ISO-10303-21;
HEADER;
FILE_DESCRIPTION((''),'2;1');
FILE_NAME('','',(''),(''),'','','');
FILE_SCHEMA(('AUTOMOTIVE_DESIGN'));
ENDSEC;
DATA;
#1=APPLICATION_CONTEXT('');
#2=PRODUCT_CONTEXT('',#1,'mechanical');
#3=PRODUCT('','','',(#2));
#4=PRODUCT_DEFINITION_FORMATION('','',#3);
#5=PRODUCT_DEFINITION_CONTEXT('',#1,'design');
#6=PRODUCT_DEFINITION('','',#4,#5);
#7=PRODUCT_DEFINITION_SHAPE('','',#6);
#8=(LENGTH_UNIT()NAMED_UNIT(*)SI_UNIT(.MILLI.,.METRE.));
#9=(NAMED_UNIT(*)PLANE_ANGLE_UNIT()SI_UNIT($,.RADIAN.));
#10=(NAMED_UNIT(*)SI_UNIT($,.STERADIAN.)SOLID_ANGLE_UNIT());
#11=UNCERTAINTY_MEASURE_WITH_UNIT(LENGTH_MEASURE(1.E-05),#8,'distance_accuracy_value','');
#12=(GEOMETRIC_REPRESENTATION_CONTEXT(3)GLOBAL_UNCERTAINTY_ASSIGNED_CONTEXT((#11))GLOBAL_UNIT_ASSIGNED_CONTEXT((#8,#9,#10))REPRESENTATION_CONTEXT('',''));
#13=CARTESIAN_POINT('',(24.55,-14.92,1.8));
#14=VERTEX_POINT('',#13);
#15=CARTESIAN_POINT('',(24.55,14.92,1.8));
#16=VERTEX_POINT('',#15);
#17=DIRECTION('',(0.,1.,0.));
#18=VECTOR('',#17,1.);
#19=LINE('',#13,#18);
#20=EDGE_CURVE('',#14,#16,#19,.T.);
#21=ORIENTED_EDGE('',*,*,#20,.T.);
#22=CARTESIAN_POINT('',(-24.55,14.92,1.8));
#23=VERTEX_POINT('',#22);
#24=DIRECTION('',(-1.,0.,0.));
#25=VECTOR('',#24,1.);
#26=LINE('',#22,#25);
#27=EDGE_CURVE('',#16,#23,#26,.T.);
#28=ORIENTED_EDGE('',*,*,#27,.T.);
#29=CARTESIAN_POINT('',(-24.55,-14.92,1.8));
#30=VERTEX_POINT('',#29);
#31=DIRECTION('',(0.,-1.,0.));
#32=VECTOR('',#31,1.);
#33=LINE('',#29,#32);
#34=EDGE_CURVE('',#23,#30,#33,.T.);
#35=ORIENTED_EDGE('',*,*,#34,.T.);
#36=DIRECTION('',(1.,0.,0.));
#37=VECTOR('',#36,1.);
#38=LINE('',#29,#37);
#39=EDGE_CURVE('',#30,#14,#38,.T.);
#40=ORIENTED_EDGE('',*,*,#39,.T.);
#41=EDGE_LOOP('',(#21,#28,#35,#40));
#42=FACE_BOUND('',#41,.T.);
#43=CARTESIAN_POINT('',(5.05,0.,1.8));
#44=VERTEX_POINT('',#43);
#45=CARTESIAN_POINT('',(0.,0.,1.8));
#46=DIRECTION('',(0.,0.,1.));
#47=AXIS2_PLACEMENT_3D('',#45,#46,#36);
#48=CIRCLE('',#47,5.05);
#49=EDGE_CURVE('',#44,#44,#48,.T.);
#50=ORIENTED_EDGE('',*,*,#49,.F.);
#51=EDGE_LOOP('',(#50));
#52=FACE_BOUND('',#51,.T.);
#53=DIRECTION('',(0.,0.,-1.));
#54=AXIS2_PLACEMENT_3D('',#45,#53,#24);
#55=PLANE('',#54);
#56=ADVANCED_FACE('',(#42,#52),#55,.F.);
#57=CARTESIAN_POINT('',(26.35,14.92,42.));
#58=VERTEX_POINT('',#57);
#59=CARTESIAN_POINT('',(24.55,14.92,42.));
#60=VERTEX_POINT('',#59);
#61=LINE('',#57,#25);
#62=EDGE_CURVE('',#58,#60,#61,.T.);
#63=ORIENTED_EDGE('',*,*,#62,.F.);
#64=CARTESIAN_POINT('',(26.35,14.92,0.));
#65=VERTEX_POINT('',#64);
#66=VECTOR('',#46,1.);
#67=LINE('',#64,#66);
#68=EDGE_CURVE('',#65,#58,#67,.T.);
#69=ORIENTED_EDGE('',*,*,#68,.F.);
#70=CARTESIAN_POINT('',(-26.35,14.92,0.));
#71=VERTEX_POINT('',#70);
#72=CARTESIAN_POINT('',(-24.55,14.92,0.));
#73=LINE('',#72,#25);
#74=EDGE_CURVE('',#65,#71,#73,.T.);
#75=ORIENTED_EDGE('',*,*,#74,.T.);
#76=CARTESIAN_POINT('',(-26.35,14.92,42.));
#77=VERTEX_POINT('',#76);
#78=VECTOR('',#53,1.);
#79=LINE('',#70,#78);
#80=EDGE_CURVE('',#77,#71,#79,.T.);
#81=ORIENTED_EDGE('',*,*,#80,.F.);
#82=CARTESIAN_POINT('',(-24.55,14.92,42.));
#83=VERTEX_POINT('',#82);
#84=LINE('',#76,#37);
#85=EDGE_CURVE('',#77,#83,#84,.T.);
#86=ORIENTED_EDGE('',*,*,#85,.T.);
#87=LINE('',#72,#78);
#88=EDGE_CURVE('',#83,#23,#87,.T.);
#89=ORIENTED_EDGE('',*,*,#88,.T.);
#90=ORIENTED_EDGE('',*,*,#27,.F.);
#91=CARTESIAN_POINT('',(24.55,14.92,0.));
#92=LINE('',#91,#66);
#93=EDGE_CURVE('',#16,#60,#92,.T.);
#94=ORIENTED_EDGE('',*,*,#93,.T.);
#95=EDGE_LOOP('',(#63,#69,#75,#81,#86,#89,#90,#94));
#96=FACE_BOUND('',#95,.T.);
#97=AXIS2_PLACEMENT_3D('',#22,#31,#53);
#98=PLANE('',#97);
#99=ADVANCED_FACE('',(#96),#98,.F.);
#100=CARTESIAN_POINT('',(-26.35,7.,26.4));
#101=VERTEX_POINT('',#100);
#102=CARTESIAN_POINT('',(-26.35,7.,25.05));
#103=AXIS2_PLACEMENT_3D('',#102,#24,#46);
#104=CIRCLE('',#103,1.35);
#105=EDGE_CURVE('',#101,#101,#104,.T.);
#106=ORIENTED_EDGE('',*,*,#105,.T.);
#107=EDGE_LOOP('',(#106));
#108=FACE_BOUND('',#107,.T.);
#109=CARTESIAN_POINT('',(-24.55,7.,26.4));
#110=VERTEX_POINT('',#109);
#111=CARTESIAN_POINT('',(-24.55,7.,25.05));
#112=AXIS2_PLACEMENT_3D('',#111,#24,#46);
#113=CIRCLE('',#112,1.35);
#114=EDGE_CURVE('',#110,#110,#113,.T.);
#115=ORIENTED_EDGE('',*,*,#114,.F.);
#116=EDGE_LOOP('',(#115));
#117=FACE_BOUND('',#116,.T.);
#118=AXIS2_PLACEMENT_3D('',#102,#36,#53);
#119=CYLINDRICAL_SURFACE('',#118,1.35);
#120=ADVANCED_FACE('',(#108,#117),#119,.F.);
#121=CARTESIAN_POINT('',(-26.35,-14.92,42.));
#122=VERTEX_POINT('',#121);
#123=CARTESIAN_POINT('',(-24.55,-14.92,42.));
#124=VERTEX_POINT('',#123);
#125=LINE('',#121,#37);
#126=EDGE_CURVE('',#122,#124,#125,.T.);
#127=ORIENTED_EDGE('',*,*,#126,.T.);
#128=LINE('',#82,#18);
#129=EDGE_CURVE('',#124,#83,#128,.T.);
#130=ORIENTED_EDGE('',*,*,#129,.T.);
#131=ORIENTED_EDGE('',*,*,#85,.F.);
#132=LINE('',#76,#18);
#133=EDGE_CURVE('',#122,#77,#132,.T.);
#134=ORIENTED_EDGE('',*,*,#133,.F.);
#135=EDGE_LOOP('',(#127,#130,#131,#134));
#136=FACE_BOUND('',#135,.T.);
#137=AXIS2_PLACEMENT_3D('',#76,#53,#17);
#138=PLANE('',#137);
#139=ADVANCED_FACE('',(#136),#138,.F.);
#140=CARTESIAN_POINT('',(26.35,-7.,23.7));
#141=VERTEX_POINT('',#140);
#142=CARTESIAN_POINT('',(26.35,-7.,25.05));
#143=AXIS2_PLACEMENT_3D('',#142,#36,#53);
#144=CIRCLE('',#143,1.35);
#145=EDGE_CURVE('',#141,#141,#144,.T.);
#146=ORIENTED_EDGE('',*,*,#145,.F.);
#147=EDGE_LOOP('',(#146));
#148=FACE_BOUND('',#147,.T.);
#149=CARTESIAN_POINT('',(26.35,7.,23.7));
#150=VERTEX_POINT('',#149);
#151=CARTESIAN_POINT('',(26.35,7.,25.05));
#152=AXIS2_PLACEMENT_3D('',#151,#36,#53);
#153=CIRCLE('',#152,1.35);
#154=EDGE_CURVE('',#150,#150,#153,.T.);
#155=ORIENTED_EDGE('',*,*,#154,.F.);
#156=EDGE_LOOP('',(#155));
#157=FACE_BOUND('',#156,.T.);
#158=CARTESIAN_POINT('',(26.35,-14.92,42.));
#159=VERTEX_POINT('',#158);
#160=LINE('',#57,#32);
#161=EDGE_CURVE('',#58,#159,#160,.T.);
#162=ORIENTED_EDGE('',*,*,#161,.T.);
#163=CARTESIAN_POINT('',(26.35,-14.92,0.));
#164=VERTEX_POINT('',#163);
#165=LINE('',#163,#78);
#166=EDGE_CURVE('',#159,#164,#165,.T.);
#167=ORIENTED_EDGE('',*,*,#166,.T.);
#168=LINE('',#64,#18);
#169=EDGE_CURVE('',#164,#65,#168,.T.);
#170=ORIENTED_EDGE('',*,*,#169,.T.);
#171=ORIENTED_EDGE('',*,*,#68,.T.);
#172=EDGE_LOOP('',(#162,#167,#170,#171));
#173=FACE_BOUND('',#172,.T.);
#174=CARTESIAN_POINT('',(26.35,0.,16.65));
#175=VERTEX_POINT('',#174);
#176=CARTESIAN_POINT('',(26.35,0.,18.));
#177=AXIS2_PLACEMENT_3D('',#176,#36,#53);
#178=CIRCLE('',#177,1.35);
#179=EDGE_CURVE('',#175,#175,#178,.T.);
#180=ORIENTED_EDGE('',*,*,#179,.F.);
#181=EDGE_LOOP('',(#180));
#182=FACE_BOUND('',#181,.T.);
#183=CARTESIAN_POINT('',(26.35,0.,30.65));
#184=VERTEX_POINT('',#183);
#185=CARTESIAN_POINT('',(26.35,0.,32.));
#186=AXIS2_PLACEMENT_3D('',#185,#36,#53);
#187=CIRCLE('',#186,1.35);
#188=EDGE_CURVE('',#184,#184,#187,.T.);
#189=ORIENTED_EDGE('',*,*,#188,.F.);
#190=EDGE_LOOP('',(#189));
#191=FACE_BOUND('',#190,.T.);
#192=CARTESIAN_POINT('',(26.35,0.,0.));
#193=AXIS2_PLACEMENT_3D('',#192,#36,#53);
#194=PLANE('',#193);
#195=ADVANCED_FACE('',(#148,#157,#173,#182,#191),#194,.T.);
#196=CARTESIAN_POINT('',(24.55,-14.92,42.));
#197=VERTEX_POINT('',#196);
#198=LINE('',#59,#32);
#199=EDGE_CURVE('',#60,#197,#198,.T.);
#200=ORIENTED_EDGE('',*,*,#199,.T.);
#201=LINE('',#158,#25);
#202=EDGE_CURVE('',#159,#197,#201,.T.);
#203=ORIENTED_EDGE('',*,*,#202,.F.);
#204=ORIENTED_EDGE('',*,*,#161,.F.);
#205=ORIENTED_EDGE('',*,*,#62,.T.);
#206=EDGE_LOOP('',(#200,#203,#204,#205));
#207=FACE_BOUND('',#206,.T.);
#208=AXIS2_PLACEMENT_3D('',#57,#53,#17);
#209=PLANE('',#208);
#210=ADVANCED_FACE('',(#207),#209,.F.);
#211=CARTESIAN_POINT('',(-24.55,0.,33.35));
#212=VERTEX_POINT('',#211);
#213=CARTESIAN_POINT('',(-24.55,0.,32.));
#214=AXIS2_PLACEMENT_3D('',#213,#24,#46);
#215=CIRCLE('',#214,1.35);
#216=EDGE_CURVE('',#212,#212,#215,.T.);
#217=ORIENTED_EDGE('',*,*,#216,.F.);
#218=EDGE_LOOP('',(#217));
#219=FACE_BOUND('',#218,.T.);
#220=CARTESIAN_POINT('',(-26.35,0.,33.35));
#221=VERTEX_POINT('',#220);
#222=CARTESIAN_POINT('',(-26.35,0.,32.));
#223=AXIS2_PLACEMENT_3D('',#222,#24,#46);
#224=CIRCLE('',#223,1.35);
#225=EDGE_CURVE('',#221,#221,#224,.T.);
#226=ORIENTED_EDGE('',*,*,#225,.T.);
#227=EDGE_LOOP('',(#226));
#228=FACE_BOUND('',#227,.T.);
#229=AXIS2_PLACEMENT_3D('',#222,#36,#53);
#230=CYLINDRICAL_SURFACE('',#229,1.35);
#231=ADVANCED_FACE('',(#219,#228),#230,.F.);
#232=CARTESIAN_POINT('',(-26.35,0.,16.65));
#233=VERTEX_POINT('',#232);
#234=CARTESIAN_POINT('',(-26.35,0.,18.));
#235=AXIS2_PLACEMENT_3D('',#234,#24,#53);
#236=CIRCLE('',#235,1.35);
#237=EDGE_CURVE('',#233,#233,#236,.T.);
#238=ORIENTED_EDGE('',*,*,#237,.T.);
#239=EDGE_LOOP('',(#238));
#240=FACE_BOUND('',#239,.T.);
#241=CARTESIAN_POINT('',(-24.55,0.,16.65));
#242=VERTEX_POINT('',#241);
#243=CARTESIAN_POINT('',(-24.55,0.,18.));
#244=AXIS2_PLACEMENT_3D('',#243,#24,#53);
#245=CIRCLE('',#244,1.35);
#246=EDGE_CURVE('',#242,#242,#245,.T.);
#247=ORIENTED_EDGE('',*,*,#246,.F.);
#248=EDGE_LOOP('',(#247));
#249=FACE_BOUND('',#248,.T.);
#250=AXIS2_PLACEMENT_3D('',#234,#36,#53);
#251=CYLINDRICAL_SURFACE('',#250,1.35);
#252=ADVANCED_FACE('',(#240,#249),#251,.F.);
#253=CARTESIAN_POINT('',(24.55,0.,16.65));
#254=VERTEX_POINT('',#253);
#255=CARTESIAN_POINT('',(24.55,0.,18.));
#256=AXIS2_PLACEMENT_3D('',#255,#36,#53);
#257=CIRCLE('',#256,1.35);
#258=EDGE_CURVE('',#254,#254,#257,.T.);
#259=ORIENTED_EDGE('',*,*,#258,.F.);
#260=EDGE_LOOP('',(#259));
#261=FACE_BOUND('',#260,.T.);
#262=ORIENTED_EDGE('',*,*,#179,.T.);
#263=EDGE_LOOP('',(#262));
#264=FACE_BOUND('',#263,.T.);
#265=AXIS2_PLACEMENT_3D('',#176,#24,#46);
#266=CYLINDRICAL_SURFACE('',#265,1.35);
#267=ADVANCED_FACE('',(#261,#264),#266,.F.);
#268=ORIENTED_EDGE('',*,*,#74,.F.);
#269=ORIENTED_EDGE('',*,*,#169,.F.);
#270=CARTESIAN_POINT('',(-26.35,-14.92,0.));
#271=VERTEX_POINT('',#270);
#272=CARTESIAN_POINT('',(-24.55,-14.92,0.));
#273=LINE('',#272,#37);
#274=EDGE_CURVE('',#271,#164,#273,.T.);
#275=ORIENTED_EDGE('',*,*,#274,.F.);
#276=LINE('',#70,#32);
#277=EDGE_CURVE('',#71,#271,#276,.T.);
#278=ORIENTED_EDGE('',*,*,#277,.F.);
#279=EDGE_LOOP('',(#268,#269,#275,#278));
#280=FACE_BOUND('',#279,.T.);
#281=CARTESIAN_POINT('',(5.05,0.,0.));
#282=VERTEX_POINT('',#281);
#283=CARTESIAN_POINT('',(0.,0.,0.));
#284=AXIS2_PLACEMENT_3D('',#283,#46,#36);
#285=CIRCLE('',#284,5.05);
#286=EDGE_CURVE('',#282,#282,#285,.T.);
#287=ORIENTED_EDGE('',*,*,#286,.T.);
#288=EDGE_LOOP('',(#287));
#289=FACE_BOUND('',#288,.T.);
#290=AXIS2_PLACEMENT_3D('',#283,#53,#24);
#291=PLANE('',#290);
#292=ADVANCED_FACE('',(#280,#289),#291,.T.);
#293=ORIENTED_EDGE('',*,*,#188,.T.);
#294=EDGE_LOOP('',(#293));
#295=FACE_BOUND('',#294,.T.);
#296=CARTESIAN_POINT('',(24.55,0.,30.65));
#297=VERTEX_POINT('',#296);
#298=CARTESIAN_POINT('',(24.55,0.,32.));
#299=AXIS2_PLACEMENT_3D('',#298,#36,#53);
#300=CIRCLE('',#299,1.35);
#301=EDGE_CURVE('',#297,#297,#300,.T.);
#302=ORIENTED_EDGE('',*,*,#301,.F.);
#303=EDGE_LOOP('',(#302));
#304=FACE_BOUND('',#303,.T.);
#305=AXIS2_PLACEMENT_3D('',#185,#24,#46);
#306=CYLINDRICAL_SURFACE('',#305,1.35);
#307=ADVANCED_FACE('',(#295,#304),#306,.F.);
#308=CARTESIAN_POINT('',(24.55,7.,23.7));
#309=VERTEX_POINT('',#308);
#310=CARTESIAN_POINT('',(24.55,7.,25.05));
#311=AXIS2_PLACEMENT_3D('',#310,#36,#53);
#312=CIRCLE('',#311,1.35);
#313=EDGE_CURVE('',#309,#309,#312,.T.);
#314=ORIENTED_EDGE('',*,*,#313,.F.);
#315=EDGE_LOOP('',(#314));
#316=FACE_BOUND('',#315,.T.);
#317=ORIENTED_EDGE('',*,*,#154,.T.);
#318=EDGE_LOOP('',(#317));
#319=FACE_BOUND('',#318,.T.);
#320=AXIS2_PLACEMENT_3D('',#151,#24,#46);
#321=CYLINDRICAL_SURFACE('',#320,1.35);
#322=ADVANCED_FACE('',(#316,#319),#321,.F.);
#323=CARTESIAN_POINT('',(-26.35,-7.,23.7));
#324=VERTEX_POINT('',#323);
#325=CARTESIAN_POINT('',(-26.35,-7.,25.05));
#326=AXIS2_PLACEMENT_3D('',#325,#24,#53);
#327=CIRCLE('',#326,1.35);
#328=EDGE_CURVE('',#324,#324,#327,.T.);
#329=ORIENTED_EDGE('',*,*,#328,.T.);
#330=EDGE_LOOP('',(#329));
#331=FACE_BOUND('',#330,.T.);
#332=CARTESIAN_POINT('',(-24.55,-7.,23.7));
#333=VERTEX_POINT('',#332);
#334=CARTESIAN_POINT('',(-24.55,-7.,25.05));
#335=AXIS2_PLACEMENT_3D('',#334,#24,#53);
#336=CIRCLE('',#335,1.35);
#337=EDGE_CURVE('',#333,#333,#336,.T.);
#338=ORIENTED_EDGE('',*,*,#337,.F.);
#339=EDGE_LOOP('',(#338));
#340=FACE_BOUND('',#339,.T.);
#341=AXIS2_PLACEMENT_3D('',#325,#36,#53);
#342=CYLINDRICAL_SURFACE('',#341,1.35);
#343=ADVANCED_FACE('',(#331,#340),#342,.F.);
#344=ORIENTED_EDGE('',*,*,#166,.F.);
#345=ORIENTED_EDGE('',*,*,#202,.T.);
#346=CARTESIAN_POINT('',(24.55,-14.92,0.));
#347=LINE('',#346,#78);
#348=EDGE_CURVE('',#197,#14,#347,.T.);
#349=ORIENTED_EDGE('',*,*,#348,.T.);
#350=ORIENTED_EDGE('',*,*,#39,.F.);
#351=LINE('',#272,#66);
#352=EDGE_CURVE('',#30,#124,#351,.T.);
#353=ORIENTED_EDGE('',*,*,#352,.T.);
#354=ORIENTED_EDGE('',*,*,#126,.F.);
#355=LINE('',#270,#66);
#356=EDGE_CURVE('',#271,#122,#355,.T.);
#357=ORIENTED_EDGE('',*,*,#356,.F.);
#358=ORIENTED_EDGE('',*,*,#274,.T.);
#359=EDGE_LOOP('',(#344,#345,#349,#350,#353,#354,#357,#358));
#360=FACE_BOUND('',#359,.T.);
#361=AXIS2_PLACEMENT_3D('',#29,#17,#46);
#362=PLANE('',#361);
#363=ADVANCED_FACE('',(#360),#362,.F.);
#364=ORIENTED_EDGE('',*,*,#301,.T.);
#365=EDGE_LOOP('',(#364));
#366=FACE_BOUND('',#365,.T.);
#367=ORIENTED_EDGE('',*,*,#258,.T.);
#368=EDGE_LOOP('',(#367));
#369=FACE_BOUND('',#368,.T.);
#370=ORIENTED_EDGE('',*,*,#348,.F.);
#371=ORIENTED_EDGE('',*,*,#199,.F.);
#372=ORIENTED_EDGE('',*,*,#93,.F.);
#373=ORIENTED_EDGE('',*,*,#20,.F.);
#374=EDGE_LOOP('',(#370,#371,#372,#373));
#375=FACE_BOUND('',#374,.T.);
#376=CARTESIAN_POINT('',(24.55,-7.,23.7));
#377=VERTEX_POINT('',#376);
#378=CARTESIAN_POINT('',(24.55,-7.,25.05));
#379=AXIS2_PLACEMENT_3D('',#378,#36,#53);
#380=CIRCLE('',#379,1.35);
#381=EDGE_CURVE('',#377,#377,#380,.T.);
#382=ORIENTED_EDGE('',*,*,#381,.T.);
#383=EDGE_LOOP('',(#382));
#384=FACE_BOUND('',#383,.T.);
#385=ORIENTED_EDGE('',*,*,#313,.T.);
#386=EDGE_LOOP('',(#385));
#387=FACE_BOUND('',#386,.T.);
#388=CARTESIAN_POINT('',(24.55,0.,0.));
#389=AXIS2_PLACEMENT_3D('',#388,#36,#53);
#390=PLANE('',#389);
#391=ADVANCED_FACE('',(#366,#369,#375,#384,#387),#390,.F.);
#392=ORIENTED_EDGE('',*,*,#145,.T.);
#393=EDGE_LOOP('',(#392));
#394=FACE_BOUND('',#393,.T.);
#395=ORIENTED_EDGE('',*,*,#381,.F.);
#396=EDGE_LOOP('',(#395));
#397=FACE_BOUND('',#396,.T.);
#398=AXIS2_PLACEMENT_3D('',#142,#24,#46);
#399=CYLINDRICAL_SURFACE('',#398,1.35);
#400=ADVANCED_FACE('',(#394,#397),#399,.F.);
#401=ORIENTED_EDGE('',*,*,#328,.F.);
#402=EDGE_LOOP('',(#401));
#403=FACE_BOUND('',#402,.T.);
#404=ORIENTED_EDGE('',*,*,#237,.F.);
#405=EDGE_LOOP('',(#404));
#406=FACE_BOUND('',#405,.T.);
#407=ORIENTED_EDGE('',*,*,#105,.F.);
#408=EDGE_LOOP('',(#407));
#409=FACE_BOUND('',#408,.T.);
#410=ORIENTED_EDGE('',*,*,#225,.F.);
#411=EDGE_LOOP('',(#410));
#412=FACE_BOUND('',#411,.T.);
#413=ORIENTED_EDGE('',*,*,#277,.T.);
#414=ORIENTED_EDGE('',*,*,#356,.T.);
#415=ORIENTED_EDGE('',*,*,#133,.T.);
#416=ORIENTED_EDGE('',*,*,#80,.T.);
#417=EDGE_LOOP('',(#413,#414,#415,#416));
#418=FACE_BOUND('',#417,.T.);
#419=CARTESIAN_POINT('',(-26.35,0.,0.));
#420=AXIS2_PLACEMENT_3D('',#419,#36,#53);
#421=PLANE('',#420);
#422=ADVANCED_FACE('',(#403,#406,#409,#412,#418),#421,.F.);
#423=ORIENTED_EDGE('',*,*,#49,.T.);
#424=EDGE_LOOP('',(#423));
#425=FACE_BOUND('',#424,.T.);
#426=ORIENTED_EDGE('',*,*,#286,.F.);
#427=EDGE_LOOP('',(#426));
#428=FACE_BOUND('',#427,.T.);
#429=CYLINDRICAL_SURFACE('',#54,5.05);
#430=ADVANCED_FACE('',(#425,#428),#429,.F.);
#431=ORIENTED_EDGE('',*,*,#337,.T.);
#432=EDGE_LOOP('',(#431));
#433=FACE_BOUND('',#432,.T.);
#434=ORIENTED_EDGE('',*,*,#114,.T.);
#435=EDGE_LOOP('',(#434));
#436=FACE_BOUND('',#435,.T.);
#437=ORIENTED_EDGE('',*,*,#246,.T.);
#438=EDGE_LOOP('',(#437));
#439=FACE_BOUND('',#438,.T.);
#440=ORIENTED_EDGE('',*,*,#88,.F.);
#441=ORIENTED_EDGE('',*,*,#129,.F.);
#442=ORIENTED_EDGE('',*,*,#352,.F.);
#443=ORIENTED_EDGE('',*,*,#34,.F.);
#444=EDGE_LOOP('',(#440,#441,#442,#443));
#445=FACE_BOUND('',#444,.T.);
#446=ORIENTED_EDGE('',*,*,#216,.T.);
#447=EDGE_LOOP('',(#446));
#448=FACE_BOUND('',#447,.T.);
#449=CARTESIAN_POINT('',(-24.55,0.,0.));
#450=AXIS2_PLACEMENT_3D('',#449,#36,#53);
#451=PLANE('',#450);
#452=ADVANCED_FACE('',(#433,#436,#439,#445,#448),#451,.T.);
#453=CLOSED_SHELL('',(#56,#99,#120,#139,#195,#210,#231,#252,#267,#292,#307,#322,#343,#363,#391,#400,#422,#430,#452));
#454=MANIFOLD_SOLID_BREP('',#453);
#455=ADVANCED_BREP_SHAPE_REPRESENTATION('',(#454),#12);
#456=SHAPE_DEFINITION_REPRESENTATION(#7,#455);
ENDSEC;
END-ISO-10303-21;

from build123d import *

# Parameters (mm, degrees)
ESBO_O1_W                = 49.1
ESBO_O1_H                = 29.84
ESBO_O1_R                = 5.05
RESSALTO_EXTRUS_O1_DEPTH = 1.8
ESBO_O2_W                = 42
ESBO_O2_H                = 29.84
ESBO_O2_R                = 1.35
RESSALTO_EXTRUS_O2_DEPTH = 1.8
RESSALTO_EXTRUS_O3_START = 1.8
ESBO_O3_W                = 42
ESBO_O3_H                = 29.84
ESBO_O3_R                = 1.35
RESSALTO_EXTRUS_O3_DEPTH = 1.8


with BuildPart() as part:
    # Esboço1 → Ressalto-extrusão1 (new body)
    with BuildSketch(Plane.XY):
        Rectangle(ESBO_O1_W, ESBO_O1_H)
        Circle(ESBO_O1_R, mode=Mode.SUBTRACT)
    extrude(amount=RESSALTO_EXTRUS_O1_DEPTH)

    # Esboço2 → Ressalto-extrusão2 (add)
    with BuildSketch(Plane.ZY.offset(24.55)):
        with Locations((21, 0)):
            Rectangle(ESBO_O2_W, ESBO_O2_H)
        with Locations((32, 0)):
            Circle(ESBO_O2_R, mode=Mode.SUBTRACT)
        with Locations((25.05, 7)):
            Circle(ESBO_O2_R, mode=Mode.SUBTRACT)
        with Locations(Location((18, 0, 0), (0, 0, 180))):
            Circle(ESBO_O2_R, mode=Mode.SUBTRACT)
        with Locations(Location((25.05, -7, 0), (0, 0, 180))):
            Circle(ESBO_O2_R, mode=Mode.SUBTRACT)
    extrude(amount=RESSALTO_EXTRUS_O2_DEPTH)

    # Esboço3 → Ressalto-extrusão3 (add)
    with BuildSketch(Plane(origin=(24.55, 0, 0), x_dir=(0, 0, -1), z_dir=(1, 0, 0)).offset(RESSALTO_EXTRUS_O3_START)):
        with Locations((-21, 0)):
            Rectangle(ESBO_O3_W, ESBO_O3_H)
        with Locations(Location((-25.05, 7, 0), (0, 0, 180))):
            Circle(ESBO_O3_R, mode=Mode.SUBTRACT)
        with Locations((-18, 0)):
            Circle(ESBO_O3_R, mode=Mode.SUBTRACT)
        with Locations(Location((-32, 0, 0), (0, 0, 180))):
            Circle(ESBO_O3_R, mode=Mode.SUBTRACT)
        with Locations((-25.05, -7)):
            Circle(ESBO_O3_R, mode=Mode.SUBTRACT)
    extrude(amount=-RESSALTO_EXTRUS_O3_DEPTH)


solid = part.part
